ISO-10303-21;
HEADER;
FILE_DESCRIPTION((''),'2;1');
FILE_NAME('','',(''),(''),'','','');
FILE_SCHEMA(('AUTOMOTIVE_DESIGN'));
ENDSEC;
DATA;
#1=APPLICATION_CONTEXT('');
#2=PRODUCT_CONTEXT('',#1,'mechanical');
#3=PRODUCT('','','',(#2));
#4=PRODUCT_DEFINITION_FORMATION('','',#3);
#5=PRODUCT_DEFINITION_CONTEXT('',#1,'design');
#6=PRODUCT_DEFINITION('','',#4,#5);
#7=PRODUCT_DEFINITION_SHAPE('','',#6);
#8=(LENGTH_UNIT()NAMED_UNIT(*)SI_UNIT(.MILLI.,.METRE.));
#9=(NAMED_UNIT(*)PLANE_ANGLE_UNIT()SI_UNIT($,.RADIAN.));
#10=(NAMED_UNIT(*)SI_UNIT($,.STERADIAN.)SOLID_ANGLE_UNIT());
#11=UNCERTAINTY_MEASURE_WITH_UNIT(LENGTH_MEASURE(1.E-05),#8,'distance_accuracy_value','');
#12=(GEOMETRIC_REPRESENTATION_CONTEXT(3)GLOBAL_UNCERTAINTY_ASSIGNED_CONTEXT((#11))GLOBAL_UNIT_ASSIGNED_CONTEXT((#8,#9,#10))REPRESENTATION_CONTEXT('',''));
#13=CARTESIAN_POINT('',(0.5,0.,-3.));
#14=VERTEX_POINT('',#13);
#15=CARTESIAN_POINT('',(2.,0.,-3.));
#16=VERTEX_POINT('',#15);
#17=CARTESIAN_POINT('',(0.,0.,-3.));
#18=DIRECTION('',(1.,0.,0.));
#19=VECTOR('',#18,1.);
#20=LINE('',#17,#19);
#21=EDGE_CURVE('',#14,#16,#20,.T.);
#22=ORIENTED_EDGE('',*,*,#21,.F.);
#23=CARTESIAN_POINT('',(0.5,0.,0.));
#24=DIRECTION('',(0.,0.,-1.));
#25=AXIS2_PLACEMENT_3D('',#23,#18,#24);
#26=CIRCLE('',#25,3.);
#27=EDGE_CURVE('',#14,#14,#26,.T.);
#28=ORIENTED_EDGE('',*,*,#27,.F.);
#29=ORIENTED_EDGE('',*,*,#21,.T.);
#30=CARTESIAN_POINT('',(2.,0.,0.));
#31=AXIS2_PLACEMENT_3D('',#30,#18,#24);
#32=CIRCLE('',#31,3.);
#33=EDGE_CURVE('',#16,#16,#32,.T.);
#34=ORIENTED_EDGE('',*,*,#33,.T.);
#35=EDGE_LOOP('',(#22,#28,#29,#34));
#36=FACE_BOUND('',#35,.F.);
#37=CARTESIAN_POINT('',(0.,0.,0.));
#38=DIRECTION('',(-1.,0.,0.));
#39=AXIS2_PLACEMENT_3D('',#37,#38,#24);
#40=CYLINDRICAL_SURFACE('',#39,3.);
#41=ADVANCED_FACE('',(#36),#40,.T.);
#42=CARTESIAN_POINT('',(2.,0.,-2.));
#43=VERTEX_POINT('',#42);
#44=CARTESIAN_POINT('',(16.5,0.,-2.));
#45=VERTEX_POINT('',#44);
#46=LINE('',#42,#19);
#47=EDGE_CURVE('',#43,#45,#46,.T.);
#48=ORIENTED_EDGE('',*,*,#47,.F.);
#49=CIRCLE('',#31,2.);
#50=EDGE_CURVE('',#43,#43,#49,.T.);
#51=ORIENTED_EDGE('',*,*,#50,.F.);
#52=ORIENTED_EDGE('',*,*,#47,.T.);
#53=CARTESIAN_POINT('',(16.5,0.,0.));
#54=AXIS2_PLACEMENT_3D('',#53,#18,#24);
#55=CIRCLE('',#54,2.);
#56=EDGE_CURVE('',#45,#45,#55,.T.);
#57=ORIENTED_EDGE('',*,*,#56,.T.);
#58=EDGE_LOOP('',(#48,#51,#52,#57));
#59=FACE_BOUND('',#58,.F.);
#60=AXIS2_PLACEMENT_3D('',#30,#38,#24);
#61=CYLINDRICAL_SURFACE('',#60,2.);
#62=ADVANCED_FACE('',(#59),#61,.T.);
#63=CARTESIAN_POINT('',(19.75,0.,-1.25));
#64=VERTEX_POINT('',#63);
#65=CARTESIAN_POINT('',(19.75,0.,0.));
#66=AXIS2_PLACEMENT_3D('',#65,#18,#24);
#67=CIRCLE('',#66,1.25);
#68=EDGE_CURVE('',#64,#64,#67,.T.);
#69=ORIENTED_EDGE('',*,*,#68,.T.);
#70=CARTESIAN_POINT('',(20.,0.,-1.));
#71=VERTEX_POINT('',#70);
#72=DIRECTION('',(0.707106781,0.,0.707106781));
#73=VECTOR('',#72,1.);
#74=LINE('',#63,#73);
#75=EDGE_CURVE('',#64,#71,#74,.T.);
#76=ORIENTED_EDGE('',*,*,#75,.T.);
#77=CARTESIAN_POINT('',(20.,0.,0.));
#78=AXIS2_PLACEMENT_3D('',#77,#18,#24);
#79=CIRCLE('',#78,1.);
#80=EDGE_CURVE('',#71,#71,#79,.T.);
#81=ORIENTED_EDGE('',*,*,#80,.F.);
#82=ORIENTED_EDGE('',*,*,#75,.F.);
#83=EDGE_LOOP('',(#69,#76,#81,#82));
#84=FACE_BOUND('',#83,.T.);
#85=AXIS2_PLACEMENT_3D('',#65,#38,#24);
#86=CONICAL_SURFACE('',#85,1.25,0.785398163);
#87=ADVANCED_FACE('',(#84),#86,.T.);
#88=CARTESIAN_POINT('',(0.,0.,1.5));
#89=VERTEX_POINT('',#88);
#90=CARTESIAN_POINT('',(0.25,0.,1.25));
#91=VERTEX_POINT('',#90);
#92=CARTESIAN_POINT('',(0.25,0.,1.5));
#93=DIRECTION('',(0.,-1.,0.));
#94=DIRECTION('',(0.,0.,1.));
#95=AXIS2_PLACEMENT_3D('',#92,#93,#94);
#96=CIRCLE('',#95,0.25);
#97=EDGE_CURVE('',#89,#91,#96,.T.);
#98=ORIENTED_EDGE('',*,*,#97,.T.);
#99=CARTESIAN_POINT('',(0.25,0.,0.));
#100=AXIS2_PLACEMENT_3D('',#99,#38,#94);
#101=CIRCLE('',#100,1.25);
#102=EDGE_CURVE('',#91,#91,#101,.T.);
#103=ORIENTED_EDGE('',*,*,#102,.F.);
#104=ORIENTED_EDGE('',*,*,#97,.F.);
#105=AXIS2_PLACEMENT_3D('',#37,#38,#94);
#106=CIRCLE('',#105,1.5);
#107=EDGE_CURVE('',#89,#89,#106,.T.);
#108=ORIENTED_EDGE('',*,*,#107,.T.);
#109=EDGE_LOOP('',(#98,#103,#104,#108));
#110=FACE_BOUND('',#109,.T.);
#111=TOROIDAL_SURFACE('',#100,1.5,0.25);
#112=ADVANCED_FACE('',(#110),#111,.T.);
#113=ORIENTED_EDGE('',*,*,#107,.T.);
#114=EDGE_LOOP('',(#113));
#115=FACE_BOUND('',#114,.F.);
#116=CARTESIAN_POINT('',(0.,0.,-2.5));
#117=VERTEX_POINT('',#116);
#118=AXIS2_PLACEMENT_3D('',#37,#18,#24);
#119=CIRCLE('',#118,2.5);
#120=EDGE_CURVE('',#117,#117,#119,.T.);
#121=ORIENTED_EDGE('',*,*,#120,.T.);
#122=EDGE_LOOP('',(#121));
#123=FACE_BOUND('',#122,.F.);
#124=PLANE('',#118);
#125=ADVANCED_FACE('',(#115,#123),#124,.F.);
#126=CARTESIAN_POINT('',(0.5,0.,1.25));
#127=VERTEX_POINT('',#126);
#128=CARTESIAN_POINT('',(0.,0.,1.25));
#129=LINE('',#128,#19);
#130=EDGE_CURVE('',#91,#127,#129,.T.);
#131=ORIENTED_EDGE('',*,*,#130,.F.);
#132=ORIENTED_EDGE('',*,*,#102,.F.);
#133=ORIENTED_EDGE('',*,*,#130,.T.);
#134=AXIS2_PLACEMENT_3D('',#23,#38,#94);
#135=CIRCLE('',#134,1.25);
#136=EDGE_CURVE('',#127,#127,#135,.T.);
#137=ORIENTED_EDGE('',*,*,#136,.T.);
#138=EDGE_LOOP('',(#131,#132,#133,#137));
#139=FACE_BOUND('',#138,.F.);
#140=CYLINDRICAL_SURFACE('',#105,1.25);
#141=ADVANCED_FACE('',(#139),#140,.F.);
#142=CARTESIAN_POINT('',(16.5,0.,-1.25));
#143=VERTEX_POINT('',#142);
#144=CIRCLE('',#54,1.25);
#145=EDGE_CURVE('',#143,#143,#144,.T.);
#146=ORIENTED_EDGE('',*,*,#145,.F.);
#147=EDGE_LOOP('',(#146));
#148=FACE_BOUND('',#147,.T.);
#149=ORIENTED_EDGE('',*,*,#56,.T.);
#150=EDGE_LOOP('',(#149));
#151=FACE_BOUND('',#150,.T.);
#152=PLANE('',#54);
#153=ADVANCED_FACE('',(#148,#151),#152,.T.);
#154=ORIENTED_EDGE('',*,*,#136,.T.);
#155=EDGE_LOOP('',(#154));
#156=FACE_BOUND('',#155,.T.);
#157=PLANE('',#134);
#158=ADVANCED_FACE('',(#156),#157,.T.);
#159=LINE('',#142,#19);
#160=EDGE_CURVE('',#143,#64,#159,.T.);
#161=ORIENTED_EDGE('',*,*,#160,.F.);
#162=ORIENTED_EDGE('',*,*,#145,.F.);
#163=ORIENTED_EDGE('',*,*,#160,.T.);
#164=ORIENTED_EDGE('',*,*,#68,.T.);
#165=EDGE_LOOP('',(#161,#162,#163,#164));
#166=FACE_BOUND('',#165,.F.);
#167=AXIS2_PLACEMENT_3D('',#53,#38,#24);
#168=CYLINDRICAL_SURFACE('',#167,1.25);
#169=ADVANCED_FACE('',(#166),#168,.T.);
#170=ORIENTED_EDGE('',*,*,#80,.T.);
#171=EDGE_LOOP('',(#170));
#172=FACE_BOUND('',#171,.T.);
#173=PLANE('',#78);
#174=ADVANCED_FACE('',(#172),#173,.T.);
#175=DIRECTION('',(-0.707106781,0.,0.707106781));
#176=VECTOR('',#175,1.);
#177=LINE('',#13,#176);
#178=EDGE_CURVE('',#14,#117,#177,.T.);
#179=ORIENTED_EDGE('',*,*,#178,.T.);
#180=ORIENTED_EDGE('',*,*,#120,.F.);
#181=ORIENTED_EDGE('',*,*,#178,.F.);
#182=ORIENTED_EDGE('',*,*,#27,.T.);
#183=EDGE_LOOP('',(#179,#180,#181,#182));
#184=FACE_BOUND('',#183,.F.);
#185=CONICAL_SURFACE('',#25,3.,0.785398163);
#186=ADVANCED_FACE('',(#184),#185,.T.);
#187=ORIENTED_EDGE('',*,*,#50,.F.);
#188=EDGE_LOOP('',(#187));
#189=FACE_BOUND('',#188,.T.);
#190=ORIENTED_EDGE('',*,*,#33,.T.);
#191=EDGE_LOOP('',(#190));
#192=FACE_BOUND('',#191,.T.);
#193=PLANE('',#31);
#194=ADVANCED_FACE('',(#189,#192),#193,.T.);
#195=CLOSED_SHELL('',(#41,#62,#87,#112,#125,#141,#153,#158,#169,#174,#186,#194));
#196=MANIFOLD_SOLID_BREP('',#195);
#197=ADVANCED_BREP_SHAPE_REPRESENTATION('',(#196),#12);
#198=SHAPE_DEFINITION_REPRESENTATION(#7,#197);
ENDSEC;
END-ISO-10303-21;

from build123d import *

# Parameters (mm, degrees)
SKETCH1_R           = 6
BOSS_EXTRUDE1_DEPTH = 4
SKETCH2_R           = 4
BOSS_EXTRUDE2_DEPTH = 29
SKETCH3_R           = 2.5
BOSS_EXTRUDE3_DEPTH = 7
CHAMFER1_SIZE       = 0.5
CHAMFER2_SIZE       = 1
SKETCH4_R           = 2.5
CUT_EXTRUDE1_DEPTH  = 1
FILLET1_R           = 0.5
SCALE1_SCALE        = 0.5


with BuildPart() as part:
    # Sketch1 → Boss-Extrude1 (new body)
    with BuildSketch(Plane(origin=(0, 0, 0), x_dir=(0, 0, -1), z_dir=(1, 0, 0))):
        Circle(SKETCH1_R)
    extrude(amount=BOSS_EXTRUDE1_DEPTH)

    # Sketch2 → Boss-Extrude2 (add)
    with BuildSketch(Plane(origin=(4, 0, 0), x_dir=(0, 0, -1), z_dir=(1, 0, 0))):
        Circle(SKETCH2_R)
    extrude(amount=BOSS_EXTRUDE2_DEPTH)

    # Sketch3 → Boss-Extrude3 (add)
    with BuildSketch(Plane(origin=(33, 0, 0), x_dir=(0, 0, -1), z_dir=(1, 0, 0))):
        Circle(SKETCH3_R)
    extrude(amount=BOSS_EXTRUDE3_DEPTH)

    # Chamfer1
    chamfer1_edges = [part.edges().sort_by_distance(p)[0] for p in [
        (40, 0, 2.5),
    ]]
    chamfer(chamfer1_edges, length=CHAMFER1_SIZE)

    # Chamfer2
    chamfer2_edges = [part.edges().sort_by_distance(p)[0] for p in [
        (0, 0, 6),
    ]]
    chamfer(chamfer2_edges, length=CHAMFER2_SIZE)

    # Sketch4 → Cut-Extrude1 (cut)
    with BuildSketch(Plane.ZY):
        Circle(SKETCH4_R)
    extrude(amount=-CUT_EXTRUDE1_DEPTH, mode=Mode.SUBTRACT)

    # Fillet1
    fillet1_edges = [part.edges().sort_by_distance(p)[0] for p in [
        (0, 0, -2.5),
    ]]
    fillet(fillet1_edges, radius=FILLET1_R)


with BuildPart() as part_1:
    # Scale1: scaled about (0, 0, 0)
    add(part.part.scale(SCALE1_SCALE))


solid = part_1.part
